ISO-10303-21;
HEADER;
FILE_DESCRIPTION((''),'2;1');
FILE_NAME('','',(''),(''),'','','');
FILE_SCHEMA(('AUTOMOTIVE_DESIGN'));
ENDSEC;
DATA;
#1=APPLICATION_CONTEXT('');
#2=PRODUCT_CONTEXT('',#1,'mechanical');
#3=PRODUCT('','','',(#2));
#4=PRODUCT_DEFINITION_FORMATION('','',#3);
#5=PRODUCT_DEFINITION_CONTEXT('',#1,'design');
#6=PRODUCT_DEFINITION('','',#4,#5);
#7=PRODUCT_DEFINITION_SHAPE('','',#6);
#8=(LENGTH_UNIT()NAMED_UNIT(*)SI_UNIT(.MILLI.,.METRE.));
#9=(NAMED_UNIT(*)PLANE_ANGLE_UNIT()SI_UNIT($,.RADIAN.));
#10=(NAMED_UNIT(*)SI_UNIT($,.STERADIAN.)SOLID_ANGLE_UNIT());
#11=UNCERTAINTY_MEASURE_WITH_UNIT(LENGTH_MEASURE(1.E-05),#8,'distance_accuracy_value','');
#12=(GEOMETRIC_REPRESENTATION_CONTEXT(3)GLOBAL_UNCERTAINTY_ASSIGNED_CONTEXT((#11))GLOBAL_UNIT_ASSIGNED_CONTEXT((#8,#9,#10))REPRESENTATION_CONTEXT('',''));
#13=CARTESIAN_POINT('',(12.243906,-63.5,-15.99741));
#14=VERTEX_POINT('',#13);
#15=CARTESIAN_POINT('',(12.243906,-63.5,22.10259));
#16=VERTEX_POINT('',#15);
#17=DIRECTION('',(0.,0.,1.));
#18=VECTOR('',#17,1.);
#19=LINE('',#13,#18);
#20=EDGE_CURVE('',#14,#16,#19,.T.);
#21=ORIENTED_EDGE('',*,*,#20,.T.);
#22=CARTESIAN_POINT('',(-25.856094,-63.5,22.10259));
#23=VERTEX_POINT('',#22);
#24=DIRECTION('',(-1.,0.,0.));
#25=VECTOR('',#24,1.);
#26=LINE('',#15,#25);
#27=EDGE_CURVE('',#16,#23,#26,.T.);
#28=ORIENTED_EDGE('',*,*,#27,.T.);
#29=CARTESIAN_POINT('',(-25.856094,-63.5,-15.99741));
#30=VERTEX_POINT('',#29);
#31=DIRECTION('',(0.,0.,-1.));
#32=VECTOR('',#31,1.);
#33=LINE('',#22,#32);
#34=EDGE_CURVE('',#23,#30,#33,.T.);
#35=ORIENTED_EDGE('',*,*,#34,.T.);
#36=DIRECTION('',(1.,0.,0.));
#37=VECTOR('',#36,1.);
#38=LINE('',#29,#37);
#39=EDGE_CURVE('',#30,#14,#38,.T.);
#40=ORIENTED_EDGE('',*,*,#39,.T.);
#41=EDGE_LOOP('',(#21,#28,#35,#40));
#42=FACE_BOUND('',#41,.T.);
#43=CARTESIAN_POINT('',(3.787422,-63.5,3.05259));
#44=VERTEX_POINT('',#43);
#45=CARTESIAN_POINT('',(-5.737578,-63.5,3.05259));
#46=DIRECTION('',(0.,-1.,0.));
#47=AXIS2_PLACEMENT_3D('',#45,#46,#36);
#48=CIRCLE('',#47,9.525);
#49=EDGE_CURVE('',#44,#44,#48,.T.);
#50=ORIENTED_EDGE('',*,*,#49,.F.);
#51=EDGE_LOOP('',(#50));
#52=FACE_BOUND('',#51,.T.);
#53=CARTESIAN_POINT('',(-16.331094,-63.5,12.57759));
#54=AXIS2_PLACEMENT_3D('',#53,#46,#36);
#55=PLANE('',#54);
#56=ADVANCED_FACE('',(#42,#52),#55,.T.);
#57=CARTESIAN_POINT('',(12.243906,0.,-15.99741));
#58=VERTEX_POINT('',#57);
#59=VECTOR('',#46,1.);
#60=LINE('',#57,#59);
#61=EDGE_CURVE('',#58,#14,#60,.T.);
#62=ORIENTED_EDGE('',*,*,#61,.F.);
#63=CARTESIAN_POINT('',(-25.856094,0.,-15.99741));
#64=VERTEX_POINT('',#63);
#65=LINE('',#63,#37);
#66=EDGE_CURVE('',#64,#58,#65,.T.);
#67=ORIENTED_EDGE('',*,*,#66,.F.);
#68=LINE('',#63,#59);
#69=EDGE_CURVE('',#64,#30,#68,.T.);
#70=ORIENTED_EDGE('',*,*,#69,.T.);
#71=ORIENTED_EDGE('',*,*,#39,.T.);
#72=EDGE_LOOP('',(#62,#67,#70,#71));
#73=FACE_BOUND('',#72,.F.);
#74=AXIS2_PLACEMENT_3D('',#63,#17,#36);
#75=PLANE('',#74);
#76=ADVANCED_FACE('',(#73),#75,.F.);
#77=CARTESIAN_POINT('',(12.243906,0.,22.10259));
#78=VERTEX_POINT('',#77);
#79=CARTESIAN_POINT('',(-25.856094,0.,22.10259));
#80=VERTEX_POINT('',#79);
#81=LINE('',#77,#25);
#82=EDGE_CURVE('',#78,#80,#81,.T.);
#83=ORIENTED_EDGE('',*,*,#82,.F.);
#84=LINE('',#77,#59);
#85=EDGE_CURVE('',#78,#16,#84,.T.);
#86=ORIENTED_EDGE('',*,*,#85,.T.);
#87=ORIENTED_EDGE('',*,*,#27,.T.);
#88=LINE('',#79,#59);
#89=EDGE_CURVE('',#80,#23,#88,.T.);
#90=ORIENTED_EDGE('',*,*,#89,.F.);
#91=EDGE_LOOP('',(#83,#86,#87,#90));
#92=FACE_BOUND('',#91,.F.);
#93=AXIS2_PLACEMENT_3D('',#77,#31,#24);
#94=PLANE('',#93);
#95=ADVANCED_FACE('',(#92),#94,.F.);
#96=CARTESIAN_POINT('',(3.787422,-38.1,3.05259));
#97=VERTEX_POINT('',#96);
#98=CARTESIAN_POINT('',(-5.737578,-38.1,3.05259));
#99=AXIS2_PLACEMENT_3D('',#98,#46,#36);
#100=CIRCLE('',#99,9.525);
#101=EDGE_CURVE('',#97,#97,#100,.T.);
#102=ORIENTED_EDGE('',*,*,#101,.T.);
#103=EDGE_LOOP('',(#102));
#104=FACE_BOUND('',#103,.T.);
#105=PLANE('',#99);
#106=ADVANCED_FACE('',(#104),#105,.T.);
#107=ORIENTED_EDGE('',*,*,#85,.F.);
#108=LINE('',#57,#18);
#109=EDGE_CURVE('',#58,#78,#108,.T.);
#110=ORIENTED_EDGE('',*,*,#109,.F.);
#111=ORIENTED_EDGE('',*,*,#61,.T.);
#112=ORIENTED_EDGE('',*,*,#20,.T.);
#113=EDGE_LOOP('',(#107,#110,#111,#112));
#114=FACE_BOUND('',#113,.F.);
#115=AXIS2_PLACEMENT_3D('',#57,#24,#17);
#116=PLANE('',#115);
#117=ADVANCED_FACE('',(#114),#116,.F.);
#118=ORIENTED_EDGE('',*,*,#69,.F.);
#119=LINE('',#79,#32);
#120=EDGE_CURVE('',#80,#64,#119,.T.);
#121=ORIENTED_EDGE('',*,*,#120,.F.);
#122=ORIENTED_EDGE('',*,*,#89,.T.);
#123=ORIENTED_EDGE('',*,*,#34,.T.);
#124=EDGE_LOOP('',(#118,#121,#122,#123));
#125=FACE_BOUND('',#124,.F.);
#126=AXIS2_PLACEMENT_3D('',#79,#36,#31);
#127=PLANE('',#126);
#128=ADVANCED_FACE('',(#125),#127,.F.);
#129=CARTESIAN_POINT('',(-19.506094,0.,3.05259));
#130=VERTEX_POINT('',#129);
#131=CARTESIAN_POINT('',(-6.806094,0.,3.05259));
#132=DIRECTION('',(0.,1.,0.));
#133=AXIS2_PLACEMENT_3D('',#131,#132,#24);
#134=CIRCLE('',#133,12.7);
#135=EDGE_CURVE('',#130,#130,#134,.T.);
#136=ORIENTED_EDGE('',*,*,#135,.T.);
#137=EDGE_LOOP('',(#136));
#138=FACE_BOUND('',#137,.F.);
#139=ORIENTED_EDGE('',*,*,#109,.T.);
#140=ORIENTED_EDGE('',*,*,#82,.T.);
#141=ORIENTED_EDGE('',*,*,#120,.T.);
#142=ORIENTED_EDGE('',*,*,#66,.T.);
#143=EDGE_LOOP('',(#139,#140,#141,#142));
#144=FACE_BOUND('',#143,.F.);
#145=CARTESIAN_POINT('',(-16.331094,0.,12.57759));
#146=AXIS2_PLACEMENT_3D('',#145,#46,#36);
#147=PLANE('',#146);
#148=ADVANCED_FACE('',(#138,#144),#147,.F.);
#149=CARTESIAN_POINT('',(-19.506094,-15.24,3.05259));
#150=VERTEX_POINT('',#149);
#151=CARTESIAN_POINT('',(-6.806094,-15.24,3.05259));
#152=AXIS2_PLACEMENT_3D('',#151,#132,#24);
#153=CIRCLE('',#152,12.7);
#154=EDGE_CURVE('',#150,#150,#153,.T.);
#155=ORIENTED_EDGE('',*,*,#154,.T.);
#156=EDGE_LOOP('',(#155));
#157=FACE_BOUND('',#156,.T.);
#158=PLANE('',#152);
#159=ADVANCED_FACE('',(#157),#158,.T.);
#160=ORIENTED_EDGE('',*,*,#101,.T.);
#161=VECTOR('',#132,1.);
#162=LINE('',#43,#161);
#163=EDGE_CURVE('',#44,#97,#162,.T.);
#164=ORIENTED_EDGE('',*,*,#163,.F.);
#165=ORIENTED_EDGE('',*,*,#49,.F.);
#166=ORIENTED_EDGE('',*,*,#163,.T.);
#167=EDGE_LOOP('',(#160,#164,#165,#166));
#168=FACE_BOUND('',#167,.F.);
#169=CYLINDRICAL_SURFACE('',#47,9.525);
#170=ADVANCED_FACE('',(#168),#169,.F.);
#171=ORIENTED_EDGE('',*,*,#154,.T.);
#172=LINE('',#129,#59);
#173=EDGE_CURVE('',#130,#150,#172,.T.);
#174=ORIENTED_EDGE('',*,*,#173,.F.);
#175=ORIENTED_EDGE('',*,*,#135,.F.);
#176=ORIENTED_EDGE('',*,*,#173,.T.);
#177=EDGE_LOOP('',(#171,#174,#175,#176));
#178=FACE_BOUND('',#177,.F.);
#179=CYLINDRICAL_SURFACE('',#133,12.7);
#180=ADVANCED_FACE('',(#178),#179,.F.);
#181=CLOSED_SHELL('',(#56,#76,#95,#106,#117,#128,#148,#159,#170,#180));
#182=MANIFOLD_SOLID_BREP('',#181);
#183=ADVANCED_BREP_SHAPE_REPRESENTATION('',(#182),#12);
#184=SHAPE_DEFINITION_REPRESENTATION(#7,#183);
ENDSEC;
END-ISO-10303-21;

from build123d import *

# Parameters (mm, degrees)
F0_W     = 19.05
F0_H     = 19.05
F1_DEPTH = 63.5
F2_R     = 12.7
F3_DEPTH = 15.24
F4_R     = 9.525
F5_DEPTH = 25.4


with BuildPart() as f1:
    # F0 (on Front) → F1 (new body)
    with BuildSketch(Plane.XZ):
        with Locations((-16.331094, 12.57759)):
            Rectangle(F0_W, F0_H)
        with Locations((2.718906, 12.57759)):
            Rectangle(F0_W, F0_H)
        with Locations((-16.331094, -6.47241)):
            Rectangle(F0_W, F0_H)
        with Locations((2.718906, -6.47241)):
            Rectangle(F0_W, F0_H)
    extrude(amount=F1_DEPTH)

    # F2 (on face) → F3 (cut)
    with BuildSketch(Plane(origin=(0, 0, 0), x_dir=(-1, 0, 0), z_dir=(0, 1, 0))):
        with Locations((6.806094, 3.05259)):
            Circle(F2_R)
    extrude(amount=-F3_DEPTH, mode=Mode.SUBTRACT)

    # F4 (on face) → F5 (cut)
    with BuildSketch(Plane.XZ.offset(63.5)):
        with Locations((-5.737578, 3.05259)):
            Circle(F4_R)
    extrude(amount=-F5_DEPTH, mode=Mode.SUBTRACT)


solid = f1.part
